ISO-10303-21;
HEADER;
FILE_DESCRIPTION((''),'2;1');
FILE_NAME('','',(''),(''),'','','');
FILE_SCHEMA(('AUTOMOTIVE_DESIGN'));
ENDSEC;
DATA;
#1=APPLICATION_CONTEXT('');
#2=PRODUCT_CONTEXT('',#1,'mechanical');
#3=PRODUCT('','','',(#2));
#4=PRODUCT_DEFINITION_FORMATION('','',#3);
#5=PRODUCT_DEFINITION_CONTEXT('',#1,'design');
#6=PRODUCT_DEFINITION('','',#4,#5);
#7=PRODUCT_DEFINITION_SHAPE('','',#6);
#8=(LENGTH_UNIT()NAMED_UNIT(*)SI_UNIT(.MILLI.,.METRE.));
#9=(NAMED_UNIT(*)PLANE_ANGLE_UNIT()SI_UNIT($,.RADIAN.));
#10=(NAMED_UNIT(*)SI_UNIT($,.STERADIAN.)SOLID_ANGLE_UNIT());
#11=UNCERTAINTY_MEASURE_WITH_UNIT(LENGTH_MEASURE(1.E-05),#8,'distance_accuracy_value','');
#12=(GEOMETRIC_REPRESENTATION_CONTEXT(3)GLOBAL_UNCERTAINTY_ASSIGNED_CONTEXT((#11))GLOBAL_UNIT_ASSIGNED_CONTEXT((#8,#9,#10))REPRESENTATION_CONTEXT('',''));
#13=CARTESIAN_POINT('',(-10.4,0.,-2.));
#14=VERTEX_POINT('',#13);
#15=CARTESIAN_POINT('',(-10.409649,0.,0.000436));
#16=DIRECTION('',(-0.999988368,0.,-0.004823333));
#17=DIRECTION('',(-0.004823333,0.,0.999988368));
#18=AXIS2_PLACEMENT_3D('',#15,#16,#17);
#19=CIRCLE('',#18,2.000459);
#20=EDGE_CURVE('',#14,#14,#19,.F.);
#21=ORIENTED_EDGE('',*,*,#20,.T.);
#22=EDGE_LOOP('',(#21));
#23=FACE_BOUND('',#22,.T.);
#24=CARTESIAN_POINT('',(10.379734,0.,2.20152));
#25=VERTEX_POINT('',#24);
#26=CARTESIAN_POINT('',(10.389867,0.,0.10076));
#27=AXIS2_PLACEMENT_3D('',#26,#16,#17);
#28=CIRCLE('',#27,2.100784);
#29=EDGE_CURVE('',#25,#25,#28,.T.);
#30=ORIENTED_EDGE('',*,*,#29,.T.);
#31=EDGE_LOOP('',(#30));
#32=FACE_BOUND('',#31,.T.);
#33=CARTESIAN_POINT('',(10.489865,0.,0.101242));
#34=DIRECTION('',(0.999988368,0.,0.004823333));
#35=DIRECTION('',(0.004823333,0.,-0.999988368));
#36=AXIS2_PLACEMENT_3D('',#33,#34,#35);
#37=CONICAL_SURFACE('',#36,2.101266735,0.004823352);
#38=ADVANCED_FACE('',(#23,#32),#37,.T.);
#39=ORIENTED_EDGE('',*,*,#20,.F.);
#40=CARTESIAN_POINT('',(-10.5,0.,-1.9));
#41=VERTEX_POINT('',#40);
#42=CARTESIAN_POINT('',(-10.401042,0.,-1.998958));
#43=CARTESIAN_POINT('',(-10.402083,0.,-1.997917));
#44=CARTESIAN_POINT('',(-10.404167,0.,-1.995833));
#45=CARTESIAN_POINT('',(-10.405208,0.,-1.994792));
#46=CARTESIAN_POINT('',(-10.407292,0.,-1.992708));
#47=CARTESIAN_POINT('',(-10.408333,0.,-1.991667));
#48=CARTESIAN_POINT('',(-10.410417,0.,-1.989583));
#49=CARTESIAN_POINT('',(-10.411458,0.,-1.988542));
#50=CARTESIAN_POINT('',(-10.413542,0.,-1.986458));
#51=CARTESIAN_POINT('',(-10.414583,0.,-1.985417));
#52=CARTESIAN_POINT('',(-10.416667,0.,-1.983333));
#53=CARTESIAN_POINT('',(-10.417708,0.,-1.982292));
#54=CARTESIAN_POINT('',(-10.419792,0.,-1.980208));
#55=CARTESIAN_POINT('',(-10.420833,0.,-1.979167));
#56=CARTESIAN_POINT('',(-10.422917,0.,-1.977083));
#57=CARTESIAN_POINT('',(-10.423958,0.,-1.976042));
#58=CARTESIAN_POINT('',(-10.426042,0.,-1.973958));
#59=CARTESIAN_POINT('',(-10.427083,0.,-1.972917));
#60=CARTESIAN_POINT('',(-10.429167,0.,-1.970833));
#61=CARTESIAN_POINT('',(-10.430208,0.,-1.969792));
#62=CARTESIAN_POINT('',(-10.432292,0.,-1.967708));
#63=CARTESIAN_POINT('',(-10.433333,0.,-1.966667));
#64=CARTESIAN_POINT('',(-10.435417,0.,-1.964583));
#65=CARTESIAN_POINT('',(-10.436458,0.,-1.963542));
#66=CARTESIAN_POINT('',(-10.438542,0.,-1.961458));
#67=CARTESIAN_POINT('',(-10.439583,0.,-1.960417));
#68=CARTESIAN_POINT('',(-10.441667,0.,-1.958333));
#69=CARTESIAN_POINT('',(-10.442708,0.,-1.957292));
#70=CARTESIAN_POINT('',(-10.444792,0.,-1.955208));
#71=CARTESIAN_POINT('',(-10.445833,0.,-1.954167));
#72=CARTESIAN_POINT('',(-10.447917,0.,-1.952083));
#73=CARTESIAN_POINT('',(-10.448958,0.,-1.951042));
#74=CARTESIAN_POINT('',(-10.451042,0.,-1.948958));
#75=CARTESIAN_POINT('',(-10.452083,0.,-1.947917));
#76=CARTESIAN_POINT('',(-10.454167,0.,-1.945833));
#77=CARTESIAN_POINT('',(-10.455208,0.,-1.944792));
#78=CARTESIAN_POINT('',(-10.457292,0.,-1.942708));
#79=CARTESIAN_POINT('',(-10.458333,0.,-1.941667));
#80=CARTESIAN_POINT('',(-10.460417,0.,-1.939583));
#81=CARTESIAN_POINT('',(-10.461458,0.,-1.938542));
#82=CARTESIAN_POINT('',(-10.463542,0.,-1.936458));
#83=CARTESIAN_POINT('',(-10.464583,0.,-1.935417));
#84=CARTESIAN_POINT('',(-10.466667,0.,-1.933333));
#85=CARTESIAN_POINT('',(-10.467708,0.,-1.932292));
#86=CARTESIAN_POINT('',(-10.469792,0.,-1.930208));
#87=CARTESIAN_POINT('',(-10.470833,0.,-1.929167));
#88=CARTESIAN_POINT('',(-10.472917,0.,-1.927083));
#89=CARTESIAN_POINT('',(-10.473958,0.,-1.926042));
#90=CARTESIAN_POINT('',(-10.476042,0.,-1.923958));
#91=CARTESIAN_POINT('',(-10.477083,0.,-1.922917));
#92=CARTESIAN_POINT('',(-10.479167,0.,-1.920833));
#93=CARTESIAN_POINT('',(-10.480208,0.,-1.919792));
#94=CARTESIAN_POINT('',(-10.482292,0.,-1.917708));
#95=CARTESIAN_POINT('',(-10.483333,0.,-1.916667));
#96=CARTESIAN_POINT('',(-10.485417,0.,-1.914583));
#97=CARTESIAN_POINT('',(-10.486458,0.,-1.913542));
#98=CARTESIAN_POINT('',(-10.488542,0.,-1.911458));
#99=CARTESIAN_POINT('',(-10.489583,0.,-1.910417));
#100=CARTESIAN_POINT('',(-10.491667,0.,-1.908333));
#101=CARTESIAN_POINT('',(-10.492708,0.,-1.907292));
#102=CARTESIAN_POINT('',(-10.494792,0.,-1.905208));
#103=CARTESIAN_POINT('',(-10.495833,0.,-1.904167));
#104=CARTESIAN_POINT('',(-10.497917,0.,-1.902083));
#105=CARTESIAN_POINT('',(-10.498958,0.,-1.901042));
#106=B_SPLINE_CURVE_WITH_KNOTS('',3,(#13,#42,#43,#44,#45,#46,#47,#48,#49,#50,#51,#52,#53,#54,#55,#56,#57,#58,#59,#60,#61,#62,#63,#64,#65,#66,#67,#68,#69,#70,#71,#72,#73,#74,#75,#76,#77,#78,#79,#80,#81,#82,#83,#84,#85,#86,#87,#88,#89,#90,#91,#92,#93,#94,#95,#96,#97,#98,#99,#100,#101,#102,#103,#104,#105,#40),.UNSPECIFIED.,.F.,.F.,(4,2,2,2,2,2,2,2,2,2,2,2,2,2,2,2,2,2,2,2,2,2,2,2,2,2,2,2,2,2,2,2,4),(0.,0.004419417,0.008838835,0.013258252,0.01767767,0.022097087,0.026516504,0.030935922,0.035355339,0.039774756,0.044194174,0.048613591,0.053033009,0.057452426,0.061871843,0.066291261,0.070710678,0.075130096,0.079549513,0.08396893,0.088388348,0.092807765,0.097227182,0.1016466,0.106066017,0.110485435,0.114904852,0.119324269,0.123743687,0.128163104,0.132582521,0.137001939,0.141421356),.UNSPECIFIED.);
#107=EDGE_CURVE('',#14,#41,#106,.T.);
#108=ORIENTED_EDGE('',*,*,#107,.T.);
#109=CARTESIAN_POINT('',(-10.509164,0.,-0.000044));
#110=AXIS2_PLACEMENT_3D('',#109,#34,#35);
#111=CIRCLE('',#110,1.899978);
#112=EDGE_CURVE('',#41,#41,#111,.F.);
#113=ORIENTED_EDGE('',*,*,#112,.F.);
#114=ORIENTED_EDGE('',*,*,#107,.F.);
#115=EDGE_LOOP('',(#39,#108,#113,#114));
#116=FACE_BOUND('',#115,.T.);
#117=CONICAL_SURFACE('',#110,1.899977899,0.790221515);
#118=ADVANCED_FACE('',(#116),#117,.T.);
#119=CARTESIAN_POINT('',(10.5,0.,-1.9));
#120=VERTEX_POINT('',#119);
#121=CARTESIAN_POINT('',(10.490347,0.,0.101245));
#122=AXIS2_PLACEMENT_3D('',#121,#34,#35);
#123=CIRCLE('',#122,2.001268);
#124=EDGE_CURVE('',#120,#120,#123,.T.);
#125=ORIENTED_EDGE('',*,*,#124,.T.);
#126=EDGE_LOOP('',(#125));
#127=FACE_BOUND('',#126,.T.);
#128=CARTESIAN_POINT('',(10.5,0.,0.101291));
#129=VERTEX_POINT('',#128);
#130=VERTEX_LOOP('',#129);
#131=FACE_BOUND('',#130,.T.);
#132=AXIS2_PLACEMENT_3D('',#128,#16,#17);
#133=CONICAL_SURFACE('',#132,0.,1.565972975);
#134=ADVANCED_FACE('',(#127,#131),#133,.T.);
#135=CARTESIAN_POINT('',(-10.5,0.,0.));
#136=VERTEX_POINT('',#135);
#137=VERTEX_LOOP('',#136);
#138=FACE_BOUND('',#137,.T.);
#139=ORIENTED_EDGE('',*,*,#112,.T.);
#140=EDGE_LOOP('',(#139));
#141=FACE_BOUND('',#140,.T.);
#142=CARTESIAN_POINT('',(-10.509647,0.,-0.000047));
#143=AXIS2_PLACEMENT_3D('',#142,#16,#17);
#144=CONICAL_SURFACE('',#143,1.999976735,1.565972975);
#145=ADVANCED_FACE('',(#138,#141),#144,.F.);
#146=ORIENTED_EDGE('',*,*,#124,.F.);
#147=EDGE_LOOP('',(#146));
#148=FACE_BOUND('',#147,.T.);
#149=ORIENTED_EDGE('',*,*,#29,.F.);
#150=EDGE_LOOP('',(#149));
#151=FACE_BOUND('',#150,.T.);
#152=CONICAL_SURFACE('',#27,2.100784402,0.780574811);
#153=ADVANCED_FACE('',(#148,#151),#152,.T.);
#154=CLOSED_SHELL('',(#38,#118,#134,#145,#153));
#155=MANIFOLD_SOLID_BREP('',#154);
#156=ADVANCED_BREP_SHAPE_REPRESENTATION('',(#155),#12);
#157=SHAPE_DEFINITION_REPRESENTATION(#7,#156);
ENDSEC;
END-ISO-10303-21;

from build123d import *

# Parameters (mm, degrees)
CHAMFER10_SIZE = 0.1


with BuildPart() as part:
    # Sketch3 → Revolve1 (revolve)
    with BuildSketch(Plane(origin=(0, 0, 0), x_dir=(1, 0, 0), z_dir=(0, 1, 0)), mode=Mode.PRIVATE) as revolve1_sk:
        Polygon((-10.5, 0), (10.5, -0.101291178), (10.5, 2), (-10.5, 2), align=None)
    revolve(revolve1_sk.sketch.rotate(Axis((-10.5, 0, 0), (0.9999883676601261, 0, 0.0048233333325164674)), 180), axis=Axis((-10.5, 0, 0), (0.9999883676601261, 0, 0.0048233333325164674)))

    # Chamfer10
    chamfer10_edges = [part.edges().sort_by_distance(p)[0] for p in [
        (10.5, 0, -2),
        (-10.5, 0, -2),
    ]]
    chamfer(chamfer10_edges, length=CHAMFER10_SIZE)


solid = part.part
